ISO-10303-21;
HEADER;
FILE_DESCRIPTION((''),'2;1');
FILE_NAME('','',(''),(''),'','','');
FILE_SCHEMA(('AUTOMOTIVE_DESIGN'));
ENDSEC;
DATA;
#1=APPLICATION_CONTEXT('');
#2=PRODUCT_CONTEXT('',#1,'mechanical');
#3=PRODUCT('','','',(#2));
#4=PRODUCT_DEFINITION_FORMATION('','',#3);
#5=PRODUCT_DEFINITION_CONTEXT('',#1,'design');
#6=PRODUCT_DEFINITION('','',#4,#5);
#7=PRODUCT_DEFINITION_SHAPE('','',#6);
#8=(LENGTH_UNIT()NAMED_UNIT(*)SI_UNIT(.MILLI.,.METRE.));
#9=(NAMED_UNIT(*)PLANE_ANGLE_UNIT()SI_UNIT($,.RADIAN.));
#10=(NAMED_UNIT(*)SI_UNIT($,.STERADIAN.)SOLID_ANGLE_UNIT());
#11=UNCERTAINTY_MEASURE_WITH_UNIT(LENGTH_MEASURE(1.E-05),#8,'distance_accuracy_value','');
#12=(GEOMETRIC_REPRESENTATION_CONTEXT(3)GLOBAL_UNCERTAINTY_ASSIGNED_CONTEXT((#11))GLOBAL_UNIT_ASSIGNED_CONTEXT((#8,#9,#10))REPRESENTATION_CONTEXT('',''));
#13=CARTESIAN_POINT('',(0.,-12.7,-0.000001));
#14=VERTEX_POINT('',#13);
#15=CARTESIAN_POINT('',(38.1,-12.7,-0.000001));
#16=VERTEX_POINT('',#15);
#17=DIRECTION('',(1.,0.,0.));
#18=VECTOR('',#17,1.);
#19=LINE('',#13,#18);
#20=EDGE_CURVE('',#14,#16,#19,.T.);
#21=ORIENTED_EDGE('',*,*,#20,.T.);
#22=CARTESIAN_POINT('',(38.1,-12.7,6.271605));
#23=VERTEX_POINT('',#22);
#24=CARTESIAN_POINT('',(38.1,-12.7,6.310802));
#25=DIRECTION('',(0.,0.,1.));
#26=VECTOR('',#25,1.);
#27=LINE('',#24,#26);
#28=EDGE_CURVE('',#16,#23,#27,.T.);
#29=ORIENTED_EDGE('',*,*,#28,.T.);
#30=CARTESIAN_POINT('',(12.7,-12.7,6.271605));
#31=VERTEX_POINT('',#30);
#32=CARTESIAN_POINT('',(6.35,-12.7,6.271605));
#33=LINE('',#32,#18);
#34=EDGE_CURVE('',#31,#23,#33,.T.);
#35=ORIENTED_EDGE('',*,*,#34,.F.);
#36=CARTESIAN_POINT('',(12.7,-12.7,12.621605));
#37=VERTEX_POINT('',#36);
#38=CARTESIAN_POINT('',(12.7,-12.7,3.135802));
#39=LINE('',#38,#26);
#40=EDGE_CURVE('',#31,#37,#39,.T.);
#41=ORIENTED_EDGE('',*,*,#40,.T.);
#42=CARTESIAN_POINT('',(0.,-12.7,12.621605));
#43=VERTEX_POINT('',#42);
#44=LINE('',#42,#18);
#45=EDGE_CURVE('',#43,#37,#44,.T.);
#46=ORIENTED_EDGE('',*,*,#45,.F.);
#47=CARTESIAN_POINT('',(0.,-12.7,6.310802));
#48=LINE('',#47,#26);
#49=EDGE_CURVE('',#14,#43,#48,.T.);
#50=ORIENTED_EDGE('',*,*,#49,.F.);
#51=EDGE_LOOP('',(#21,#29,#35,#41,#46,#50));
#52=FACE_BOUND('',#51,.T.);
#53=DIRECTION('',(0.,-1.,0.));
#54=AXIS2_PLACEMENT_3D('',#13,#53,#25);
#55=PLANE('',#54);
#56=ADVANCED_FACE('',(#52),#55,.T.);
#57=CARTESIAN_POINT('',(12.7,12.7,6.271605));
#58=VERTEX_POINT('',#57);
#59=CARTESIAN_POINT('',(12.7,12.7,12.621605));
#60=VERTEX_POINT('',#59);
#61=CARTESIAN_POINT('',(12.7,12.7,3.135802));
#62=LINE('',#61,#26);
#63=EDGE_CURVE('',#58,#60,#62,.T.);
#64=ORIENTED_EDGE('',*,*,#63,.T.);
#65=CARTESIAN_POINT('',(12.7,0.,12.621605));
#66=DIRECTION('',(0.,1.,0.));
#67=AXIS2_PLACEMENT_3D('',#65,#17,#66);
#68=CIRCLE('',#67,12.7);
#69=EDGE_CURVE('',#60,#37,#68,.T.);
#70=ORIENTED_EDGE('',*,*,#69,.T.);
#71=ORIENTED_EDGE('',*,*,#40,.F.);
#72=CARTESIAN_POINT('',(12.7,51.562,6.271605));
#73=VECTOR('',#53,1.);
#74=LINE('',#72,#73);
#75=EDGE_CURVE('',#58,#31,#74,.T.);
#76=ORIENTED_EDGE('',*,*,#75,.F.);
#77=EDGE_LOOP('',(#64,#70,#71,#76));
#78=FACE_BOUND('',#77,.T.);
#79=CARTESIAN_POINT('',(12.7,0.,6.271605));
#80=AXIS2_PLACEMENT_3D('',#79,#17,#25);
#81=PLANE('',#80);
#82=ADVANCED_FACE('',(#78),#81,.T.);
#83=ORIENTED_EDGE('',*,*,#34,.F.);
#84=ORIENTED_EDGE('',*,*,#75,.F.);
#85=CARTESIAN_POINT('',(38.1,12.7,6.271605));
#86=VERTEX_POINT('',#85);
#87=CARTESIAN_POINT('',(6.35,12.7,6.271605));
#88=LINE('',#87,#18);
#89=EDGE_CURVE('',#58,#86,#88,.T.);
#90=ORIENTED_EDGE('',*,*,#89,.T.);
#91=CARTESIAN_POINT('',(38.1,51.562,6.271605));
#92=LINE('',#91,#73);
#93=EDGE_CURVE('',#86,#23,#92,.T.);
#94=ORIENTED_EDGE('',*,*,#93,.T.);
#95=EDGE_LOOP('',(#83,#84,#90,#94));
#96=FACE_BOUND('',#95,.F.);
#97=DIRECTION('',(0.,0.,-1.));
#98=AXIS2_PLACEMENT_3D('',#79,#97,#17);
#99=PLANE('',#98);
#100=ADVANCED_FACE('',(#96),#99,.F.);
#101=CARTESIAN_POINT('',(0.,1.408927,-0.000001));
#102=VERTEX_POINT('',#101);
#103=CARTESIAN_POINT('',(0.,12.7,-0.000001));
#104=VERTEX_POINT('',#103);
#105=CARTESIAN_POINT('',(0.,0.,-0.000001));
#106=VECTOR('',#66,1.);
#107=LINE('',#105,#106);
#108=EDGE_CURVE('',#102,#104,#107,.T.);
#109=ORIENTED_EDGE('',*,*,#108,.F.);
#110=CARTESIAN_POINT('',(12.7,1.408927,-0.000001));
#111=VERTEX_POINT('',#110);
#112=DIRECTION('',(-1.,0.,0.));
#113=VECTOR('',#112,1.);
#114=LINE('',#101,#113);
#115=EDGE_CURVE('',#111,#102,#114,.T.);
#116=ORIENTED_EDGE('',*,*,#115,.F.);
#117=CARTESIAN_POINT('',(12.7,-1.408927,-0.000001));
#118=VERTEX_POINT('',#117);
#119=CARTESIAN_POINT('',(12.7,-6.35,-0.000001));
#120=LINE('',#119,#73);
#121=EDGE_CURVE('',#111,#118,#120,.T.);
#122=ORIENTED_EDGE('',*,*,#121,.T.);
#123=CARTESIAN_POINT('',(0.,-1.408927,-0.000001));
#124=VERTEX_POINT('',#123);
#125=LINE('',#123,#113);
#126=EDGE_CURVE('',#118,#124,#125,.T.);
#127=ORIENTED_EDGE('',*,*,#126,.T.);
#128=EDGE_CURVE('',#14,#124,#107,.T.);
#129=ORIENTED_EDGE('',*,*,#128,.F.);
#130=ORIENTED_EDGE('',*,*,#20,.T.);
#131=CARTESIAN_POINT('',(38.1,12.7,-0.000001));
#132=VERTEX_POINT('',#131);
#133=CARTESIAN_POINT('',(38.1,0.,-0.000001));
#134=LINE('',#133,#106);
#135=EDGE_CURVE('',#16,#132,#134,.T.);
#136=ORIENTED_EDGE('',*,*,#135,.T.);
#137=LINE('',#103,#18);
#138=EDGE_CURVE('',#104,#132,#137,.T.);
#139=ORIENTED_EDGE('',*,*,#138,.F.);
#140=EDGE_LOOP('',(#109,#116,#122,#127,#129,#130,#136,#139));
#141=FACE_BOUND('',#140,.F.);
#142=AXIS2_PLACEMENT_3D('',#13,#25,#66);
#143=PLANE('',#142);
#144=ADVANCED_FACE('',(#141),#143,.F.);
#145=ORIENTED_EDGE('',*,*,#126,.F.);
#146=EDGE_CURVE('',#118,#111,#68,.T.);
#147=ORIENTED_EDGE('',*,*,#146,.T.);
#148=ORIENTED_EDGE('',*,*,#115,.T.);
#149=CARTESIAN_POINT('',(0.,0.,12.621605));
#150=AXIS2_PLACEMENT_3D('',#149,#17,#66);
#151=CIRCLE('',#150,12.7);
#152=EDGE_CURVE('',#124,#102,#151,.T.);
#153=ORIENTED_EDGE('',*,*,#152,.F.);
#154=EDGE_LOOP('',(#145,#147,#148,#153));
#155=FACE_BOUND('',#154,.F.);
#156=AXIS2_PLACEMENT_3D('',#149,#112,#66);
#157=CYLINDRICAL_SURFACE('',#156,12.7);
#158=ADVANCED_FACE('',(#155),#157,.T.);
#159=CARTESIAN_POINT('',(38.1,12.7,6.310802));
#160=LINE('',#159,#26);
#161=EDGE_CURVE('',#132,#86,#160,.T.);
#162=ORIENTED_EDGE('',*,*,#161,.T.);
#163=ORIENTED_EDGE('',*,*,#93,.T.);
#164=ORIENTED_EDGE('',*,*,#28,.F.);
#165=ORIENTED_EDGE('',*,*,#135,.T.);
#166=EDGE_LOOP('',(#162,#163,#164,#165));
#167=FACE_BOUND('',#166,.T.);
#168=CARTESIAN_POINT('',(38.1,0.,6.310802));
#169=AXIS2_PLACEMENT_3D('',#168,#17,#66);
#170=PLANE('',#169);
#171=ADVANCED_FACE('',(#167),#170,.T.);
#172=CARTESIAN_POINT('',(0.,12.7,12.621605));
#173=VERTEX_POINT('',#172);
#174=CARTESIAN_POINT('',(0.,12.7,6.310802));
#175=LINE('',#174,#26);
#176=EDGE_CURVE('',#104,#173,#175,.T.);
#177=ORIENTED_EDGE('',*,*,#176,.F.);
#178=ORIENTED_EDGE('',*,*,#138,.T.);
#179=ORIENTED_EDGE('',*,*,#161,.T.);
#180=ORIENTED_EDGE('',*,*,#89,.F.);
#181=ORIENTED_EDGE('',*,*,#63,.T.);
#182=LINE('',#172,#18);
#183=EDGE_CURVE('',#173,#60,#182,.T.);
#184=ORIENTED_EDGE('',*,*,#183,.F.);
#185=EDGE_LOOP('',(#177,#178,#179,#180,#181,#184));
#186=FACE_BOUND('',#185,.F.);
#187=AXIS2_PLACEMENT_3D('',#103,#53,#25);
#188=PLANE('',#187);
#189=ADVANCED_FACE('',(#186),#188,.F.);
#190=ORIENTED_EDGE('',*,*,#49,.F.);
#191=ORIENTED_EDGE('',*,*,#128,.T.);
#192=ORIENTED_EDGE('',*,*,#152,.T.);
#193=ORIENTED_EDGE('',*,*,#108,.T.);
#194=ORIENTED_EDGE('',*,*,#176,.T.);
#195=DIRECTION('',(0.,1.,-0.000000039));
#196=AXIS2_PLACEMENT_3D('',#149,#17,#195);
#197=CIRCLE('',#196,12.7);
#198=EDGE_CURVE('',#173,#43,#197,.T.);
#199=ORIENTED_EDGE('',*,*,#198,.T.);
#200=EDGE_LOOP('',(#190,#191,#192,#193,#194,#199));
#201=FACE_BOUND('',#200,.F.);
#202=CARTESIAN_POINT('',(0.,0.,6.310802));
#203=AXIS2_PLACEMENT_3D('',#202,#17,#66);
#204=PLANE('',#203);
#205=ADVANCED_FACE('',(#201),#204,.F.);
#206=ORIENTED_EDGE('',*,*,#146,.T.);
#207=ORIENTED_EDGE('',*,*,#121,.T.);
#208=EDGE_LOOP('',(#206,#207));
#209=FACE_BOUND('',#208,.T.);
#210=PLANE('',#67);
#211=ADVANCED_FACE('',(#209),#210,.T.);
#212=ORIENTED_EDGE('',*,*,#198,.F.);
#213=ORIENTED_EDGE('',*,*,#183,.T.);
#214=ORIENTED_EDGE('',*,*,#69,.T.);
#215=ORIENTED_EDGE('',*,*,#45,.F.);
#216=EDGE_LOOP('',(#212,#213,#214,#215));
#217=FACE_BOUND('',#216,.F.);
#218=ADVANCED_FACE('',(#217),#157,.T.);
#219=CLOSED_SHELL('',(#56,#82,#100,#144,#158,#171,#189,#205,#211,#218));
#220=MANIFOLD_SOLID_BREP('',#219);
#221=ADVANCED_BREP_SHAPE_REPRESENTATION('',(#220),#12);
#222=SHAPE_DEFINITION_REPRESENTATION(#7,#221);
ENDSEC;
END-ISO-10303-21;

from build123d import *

# Parameters (mm, degrees)
F0_R     = 12.7
F1_DEPTH = 12.7
F2_W     = 25.4
F2_H     = 12.621605
F3_DEPTH = 38.1
F4_W     = 25.4
F4_H     = 6.35
F5_DEPTH = 51.562


with BuildPart() as f1:
    # F0 (on Right) → F1 (new body)
    with BuildSketch(Plane.YZ):
        with Locations((0, 12.621605)):
            Circle(F0_R)
    extrude(amount=F1_DEPTH)

    # F2 (on Right) → F3 (join)
    with BuildSketch(Plane.YZ):
        with Locations((0, 6.310802)):
            Rectangle(F2_W, F2_H)
    extrude(amount=F3_DEPTH)

    # F4 (on Front) → F5 (cut, symmetric)
    with BuildSketch(Plane.XZ):
        with Locations((25.4, 9.446605)):
            Rectangle(F4_W, F4_H)
    extrude(amount=F5_DEPTH, both=True, mode=Mode.SUBTRACT)


solid = f1.part
